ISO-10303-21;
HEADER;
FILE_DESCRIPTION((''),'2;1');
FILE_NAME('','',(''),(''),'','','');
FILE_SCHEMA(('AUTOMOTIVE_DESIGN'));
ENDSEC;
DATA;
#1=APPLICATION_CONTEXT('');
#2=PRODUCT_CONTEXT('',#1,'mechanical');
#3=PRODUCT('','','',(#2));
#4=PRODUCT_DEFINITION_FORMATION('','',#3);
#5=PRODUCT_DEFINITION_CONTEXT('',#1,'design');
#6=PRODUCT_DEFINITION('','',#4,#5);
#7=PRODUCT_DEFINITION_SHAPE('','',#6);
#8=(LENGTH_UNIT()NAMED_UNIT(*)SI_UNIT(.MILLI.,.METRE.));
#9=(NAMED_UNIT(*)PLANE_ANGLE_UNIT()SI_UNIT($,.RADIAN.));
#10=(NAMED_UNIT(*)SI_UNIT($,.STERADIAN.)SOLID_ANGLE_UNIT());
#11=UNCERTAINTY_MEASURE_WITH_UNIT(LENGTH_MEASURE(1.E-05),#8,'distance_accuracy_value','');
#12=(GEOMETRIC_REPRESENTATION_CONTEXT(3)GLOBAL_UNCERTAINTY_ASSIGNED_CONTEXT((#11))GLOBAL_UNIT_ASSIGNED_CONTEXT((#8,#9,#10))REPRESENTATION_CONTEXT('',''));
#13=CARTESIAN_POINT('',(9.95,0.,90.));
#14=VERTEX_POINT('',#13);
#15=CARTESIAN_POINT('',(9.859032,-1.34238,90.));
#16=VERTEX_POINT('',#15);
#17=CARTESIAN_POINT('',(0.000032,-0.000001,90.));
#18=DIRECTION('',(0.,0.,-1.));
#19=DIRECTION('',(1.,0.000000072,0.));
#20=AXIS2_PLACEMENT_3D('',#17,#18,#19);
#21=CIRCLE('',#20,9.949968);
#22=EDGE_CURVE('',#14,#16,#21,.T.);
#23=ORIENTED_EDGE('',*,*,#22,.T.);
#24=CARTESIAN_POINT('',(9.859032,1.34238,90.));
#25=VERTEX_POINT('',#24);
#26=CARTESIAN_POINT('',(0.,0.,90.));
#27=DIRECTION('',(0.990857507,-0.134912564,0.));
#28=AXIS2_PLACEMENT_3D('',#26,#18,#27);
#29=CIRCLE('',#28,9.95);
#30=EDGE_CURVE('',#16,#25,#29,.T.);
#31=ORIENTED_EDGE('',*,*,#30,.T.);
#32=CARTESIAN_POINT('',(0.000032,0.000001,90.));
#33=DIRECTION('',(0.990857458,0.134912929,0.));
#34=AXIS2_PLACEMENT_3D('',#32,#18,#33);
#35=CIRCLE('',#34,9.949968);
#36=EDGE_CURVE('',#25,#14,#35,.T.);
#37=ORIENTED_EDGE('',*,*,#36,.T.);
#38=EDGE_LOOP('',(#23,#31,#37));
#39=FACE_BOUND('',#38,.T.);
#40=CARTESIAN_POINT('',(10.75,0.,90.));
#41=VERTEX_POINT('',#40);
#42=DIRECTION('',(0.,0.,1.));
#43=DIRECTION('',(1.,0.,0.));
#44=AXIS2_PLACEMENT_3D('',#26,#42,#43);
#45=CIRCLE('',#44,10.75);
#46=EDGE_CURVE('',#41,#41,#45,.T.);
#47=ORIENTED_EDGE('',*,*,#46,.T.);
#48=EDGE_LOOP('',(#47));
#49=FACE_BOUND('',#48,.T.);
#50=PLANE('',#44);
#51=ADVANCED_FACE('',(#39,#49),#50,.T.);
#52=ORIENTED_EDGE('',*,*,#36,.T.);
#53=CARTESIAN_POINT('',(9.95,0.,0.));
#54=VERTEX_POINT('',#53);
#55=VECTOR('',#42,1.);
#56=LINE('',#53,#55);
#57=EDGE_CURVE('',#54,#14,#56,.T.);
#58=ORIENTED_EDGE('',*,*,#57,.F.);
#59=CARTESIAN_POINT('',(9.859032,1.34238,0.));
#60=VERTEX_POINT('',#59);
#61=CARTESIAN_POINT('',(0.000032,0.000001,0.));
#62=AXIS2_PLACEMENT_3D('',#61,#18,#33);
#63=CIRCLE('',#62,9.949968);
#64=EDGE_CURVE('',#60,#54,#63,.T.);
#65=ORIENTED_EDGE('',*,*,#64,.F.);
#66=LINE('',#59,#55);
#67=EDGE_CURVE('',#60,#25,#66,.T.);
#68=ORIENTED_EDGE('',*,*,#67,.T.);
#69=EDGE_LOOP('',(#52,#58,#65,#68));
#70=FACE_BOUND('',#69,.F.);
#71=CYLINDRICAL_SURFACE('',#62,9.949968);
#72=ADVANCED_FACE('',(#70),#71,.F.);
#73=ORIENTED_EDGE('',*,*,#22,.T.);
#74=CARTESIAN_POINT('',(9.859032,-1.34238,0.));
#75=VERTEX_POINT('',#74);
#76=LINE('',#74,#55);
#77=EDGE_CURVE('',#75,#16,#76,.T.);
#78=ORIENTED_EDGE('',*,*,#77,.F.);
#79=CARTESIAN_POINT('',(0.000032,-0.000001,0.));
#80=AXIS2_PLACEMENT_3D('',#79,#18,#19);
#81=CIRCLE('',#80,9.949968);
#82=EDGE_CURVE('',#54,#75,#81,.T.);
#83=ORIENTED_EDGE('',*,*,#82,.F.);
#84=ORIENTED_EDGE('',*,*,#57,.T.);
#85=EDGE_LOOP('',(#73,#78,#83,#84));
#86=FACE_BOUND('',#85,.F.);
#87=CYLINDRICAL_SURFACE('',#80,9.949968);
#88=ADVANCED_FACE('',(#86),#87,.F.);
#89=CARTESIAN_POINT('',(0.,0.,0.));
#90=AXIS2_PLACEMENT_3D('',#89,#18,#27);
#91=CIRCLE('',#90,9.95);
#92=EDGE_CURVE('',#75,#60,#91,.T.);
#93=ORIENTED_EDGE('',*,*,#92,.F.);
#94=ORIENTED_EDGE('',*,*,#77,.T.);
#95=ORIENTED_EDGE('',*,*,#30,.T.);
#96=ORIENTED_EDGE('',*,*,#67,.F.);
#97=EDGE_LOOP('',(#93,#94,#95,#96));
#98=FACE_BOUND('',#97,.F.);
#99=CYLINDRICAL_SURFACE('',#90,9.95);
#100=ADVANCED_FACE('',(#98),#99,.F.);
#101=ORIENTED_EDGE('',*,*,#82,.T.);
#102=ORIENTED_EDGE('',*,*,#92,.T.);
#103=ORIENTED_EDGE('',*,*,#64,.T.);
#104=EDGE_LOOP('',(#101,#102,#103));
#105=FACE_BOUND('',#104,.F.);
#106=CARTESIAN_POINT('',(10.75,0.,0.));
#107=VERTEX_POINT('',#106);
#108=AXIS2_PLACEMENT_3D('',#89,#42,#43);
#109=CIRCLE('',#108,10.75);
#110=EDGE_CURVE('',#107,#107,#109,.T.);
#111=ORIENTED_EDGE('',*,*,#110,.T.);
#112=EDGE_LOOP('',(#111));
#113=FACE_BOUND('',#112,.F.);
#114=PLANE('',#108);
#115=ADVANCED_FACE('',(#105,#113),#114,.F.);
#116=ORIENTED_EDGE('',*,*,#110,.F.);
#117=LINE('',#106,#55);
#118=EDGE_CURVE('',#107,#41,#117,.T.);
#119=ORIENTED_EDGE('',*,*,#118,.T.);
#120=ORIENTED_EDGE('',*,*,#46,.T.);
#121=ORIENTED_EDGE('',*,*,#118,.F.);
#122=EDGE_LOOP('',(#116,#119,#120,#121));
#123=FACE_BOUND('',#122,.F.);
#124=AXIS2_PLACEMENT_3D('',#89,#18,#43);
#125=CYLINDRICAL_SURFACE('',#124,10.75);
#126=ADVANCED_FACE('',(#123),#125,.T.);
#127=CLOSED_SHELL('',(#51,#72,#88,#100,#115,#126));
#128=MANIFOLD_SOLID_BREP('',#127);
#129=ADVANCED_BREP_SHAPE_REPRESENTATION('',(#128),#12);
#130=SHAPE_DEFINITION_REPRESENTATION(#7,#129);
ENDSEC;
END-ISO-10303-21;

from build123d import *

# Parameters (mm, degrees)
F0_R     = 10.75
F1_DEPTH = 90


with BuildPart() as f1:
    # F0 (on Top) → F1 (new body)
    with BuildSketch(Plane.XY):
        Circle(F0_R)
        with BuildLine():
            ThreePointArc((9.859032, -1.34238), (-9.95, 0), (9.859032, 1.34238))
            ThreePointArc((9.859032, 1.34238), (10.150269, 0.699078), (10.25, 0))
            ThreePointArc((10.25, 0), (10.150269, -0.699078), (9.859032, -1.34238))
        make_face(mode=Mode.SUBTRACT)
        with BuildLine():
            ThreePointArc((9.859032, 1.34238), (9.927232, 0.672729), (9.95, 0))
            ThreePointArc((9.95, 0), (9.927232, -0.672729), (9.859032, -1.34238))
            ThreePointArc((9.859032, -1.34238), (10.150269, -0.699078), (10.25, 0))
            ThreePointArc((10.25, 0), (10.150269, 0.699078), (9.859032, 1.34238))
        make_face()
    extrude(amount=F1_DEPTH)


solid = f1.part
